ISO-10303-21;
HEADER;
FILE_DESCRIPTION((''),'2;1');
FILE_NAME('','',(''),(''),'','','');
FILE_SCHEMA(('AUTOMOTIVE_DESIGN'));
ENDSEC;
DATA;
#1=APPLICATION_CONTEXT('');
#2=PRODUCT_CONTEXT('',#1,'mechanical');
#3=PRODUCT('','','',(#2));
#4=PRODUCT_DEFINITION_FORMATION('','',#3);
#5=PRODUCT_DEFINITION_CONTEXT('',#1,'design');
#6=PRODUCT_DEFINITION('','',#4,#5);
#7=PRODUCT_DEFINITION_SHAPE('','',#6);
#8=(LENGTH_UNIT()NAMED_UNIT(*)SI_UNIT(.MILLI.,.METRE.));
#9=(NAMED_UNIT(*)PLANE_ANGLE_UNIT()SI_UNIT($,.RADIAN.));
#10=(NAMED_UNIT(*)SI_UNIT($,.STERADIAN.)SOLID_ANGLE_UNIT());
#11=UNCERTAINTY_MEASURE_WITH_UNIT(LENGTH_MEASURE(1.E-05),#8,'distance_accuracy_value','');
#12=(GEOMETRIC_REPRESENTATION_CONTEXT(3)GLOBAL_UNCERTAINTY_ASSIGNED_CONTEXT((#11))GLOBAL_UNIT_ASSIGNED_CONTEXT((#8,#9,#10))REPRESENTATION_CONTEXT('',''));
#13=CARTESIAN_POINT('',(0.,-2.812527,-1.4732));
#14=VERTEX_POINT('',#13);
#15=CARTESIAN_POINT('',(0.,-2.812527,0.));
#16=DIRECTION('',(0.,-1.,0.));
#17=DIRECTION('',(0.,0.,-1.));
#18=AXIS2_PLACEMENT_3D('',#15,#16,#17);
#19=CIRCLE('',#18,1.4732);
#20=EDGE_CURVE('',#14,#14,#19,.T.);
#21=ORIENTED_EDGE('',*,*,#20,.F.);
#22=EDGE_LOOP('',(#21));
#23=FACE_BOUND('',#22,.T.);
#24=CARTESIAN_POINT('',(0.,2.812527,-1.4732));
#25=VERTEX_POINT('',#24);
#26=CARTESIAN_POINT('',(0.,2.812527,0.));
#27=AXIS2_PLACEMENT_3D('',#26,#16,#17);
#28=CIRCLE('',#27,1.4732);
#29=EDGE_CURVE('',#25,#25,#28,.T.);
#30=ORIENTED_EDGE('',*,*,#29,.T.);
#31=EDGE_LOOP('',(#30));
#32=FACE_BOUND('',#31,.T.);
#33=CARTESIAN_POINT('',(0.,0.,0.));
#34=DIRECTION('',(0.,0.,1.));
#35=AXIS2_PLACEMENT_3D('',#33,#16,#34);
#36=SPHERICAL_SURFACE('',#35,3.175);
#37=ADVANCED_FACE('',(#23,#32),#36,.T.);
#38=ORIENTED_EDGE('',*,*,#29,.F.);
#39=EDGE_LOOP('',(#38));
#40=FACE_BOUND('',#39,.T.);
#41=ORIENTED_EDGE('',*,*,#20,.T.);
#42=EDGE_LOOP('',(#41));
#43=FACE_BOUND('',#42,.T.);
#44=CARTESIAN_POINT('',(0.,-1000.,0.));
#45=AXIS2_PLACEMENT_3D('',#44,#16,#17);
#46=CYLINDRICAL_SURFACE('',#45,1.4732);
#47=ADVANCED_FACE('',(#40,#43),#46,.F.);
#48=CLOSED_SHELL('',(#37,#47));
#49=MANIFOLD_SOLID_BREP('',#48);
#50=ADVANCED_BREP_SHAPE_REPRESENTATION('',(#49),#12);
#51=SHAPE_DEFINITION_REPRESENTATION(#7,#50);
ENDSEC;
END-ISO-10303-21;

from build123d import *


with BuildPart() as part:
    # Sketch2 → Revolve1 (revolve)
    with BuildSketch(Plane(origin=(0, 0, 0), x_dir=(0, 0, -1), z_dir=(1, 0, 0))):
        with BuildLine():
            Line((-1.4732, -2.812526757), (-1.4732, 2.812526757))
            ThreePointArc((-1.4732, 2.812526757), (-3.175, 0), (-1.4732, -2.812526757))
        make_face()
    revolve(axis=Axis((0, -1000, 0), (0, 1, 0)))


solid = part.part
